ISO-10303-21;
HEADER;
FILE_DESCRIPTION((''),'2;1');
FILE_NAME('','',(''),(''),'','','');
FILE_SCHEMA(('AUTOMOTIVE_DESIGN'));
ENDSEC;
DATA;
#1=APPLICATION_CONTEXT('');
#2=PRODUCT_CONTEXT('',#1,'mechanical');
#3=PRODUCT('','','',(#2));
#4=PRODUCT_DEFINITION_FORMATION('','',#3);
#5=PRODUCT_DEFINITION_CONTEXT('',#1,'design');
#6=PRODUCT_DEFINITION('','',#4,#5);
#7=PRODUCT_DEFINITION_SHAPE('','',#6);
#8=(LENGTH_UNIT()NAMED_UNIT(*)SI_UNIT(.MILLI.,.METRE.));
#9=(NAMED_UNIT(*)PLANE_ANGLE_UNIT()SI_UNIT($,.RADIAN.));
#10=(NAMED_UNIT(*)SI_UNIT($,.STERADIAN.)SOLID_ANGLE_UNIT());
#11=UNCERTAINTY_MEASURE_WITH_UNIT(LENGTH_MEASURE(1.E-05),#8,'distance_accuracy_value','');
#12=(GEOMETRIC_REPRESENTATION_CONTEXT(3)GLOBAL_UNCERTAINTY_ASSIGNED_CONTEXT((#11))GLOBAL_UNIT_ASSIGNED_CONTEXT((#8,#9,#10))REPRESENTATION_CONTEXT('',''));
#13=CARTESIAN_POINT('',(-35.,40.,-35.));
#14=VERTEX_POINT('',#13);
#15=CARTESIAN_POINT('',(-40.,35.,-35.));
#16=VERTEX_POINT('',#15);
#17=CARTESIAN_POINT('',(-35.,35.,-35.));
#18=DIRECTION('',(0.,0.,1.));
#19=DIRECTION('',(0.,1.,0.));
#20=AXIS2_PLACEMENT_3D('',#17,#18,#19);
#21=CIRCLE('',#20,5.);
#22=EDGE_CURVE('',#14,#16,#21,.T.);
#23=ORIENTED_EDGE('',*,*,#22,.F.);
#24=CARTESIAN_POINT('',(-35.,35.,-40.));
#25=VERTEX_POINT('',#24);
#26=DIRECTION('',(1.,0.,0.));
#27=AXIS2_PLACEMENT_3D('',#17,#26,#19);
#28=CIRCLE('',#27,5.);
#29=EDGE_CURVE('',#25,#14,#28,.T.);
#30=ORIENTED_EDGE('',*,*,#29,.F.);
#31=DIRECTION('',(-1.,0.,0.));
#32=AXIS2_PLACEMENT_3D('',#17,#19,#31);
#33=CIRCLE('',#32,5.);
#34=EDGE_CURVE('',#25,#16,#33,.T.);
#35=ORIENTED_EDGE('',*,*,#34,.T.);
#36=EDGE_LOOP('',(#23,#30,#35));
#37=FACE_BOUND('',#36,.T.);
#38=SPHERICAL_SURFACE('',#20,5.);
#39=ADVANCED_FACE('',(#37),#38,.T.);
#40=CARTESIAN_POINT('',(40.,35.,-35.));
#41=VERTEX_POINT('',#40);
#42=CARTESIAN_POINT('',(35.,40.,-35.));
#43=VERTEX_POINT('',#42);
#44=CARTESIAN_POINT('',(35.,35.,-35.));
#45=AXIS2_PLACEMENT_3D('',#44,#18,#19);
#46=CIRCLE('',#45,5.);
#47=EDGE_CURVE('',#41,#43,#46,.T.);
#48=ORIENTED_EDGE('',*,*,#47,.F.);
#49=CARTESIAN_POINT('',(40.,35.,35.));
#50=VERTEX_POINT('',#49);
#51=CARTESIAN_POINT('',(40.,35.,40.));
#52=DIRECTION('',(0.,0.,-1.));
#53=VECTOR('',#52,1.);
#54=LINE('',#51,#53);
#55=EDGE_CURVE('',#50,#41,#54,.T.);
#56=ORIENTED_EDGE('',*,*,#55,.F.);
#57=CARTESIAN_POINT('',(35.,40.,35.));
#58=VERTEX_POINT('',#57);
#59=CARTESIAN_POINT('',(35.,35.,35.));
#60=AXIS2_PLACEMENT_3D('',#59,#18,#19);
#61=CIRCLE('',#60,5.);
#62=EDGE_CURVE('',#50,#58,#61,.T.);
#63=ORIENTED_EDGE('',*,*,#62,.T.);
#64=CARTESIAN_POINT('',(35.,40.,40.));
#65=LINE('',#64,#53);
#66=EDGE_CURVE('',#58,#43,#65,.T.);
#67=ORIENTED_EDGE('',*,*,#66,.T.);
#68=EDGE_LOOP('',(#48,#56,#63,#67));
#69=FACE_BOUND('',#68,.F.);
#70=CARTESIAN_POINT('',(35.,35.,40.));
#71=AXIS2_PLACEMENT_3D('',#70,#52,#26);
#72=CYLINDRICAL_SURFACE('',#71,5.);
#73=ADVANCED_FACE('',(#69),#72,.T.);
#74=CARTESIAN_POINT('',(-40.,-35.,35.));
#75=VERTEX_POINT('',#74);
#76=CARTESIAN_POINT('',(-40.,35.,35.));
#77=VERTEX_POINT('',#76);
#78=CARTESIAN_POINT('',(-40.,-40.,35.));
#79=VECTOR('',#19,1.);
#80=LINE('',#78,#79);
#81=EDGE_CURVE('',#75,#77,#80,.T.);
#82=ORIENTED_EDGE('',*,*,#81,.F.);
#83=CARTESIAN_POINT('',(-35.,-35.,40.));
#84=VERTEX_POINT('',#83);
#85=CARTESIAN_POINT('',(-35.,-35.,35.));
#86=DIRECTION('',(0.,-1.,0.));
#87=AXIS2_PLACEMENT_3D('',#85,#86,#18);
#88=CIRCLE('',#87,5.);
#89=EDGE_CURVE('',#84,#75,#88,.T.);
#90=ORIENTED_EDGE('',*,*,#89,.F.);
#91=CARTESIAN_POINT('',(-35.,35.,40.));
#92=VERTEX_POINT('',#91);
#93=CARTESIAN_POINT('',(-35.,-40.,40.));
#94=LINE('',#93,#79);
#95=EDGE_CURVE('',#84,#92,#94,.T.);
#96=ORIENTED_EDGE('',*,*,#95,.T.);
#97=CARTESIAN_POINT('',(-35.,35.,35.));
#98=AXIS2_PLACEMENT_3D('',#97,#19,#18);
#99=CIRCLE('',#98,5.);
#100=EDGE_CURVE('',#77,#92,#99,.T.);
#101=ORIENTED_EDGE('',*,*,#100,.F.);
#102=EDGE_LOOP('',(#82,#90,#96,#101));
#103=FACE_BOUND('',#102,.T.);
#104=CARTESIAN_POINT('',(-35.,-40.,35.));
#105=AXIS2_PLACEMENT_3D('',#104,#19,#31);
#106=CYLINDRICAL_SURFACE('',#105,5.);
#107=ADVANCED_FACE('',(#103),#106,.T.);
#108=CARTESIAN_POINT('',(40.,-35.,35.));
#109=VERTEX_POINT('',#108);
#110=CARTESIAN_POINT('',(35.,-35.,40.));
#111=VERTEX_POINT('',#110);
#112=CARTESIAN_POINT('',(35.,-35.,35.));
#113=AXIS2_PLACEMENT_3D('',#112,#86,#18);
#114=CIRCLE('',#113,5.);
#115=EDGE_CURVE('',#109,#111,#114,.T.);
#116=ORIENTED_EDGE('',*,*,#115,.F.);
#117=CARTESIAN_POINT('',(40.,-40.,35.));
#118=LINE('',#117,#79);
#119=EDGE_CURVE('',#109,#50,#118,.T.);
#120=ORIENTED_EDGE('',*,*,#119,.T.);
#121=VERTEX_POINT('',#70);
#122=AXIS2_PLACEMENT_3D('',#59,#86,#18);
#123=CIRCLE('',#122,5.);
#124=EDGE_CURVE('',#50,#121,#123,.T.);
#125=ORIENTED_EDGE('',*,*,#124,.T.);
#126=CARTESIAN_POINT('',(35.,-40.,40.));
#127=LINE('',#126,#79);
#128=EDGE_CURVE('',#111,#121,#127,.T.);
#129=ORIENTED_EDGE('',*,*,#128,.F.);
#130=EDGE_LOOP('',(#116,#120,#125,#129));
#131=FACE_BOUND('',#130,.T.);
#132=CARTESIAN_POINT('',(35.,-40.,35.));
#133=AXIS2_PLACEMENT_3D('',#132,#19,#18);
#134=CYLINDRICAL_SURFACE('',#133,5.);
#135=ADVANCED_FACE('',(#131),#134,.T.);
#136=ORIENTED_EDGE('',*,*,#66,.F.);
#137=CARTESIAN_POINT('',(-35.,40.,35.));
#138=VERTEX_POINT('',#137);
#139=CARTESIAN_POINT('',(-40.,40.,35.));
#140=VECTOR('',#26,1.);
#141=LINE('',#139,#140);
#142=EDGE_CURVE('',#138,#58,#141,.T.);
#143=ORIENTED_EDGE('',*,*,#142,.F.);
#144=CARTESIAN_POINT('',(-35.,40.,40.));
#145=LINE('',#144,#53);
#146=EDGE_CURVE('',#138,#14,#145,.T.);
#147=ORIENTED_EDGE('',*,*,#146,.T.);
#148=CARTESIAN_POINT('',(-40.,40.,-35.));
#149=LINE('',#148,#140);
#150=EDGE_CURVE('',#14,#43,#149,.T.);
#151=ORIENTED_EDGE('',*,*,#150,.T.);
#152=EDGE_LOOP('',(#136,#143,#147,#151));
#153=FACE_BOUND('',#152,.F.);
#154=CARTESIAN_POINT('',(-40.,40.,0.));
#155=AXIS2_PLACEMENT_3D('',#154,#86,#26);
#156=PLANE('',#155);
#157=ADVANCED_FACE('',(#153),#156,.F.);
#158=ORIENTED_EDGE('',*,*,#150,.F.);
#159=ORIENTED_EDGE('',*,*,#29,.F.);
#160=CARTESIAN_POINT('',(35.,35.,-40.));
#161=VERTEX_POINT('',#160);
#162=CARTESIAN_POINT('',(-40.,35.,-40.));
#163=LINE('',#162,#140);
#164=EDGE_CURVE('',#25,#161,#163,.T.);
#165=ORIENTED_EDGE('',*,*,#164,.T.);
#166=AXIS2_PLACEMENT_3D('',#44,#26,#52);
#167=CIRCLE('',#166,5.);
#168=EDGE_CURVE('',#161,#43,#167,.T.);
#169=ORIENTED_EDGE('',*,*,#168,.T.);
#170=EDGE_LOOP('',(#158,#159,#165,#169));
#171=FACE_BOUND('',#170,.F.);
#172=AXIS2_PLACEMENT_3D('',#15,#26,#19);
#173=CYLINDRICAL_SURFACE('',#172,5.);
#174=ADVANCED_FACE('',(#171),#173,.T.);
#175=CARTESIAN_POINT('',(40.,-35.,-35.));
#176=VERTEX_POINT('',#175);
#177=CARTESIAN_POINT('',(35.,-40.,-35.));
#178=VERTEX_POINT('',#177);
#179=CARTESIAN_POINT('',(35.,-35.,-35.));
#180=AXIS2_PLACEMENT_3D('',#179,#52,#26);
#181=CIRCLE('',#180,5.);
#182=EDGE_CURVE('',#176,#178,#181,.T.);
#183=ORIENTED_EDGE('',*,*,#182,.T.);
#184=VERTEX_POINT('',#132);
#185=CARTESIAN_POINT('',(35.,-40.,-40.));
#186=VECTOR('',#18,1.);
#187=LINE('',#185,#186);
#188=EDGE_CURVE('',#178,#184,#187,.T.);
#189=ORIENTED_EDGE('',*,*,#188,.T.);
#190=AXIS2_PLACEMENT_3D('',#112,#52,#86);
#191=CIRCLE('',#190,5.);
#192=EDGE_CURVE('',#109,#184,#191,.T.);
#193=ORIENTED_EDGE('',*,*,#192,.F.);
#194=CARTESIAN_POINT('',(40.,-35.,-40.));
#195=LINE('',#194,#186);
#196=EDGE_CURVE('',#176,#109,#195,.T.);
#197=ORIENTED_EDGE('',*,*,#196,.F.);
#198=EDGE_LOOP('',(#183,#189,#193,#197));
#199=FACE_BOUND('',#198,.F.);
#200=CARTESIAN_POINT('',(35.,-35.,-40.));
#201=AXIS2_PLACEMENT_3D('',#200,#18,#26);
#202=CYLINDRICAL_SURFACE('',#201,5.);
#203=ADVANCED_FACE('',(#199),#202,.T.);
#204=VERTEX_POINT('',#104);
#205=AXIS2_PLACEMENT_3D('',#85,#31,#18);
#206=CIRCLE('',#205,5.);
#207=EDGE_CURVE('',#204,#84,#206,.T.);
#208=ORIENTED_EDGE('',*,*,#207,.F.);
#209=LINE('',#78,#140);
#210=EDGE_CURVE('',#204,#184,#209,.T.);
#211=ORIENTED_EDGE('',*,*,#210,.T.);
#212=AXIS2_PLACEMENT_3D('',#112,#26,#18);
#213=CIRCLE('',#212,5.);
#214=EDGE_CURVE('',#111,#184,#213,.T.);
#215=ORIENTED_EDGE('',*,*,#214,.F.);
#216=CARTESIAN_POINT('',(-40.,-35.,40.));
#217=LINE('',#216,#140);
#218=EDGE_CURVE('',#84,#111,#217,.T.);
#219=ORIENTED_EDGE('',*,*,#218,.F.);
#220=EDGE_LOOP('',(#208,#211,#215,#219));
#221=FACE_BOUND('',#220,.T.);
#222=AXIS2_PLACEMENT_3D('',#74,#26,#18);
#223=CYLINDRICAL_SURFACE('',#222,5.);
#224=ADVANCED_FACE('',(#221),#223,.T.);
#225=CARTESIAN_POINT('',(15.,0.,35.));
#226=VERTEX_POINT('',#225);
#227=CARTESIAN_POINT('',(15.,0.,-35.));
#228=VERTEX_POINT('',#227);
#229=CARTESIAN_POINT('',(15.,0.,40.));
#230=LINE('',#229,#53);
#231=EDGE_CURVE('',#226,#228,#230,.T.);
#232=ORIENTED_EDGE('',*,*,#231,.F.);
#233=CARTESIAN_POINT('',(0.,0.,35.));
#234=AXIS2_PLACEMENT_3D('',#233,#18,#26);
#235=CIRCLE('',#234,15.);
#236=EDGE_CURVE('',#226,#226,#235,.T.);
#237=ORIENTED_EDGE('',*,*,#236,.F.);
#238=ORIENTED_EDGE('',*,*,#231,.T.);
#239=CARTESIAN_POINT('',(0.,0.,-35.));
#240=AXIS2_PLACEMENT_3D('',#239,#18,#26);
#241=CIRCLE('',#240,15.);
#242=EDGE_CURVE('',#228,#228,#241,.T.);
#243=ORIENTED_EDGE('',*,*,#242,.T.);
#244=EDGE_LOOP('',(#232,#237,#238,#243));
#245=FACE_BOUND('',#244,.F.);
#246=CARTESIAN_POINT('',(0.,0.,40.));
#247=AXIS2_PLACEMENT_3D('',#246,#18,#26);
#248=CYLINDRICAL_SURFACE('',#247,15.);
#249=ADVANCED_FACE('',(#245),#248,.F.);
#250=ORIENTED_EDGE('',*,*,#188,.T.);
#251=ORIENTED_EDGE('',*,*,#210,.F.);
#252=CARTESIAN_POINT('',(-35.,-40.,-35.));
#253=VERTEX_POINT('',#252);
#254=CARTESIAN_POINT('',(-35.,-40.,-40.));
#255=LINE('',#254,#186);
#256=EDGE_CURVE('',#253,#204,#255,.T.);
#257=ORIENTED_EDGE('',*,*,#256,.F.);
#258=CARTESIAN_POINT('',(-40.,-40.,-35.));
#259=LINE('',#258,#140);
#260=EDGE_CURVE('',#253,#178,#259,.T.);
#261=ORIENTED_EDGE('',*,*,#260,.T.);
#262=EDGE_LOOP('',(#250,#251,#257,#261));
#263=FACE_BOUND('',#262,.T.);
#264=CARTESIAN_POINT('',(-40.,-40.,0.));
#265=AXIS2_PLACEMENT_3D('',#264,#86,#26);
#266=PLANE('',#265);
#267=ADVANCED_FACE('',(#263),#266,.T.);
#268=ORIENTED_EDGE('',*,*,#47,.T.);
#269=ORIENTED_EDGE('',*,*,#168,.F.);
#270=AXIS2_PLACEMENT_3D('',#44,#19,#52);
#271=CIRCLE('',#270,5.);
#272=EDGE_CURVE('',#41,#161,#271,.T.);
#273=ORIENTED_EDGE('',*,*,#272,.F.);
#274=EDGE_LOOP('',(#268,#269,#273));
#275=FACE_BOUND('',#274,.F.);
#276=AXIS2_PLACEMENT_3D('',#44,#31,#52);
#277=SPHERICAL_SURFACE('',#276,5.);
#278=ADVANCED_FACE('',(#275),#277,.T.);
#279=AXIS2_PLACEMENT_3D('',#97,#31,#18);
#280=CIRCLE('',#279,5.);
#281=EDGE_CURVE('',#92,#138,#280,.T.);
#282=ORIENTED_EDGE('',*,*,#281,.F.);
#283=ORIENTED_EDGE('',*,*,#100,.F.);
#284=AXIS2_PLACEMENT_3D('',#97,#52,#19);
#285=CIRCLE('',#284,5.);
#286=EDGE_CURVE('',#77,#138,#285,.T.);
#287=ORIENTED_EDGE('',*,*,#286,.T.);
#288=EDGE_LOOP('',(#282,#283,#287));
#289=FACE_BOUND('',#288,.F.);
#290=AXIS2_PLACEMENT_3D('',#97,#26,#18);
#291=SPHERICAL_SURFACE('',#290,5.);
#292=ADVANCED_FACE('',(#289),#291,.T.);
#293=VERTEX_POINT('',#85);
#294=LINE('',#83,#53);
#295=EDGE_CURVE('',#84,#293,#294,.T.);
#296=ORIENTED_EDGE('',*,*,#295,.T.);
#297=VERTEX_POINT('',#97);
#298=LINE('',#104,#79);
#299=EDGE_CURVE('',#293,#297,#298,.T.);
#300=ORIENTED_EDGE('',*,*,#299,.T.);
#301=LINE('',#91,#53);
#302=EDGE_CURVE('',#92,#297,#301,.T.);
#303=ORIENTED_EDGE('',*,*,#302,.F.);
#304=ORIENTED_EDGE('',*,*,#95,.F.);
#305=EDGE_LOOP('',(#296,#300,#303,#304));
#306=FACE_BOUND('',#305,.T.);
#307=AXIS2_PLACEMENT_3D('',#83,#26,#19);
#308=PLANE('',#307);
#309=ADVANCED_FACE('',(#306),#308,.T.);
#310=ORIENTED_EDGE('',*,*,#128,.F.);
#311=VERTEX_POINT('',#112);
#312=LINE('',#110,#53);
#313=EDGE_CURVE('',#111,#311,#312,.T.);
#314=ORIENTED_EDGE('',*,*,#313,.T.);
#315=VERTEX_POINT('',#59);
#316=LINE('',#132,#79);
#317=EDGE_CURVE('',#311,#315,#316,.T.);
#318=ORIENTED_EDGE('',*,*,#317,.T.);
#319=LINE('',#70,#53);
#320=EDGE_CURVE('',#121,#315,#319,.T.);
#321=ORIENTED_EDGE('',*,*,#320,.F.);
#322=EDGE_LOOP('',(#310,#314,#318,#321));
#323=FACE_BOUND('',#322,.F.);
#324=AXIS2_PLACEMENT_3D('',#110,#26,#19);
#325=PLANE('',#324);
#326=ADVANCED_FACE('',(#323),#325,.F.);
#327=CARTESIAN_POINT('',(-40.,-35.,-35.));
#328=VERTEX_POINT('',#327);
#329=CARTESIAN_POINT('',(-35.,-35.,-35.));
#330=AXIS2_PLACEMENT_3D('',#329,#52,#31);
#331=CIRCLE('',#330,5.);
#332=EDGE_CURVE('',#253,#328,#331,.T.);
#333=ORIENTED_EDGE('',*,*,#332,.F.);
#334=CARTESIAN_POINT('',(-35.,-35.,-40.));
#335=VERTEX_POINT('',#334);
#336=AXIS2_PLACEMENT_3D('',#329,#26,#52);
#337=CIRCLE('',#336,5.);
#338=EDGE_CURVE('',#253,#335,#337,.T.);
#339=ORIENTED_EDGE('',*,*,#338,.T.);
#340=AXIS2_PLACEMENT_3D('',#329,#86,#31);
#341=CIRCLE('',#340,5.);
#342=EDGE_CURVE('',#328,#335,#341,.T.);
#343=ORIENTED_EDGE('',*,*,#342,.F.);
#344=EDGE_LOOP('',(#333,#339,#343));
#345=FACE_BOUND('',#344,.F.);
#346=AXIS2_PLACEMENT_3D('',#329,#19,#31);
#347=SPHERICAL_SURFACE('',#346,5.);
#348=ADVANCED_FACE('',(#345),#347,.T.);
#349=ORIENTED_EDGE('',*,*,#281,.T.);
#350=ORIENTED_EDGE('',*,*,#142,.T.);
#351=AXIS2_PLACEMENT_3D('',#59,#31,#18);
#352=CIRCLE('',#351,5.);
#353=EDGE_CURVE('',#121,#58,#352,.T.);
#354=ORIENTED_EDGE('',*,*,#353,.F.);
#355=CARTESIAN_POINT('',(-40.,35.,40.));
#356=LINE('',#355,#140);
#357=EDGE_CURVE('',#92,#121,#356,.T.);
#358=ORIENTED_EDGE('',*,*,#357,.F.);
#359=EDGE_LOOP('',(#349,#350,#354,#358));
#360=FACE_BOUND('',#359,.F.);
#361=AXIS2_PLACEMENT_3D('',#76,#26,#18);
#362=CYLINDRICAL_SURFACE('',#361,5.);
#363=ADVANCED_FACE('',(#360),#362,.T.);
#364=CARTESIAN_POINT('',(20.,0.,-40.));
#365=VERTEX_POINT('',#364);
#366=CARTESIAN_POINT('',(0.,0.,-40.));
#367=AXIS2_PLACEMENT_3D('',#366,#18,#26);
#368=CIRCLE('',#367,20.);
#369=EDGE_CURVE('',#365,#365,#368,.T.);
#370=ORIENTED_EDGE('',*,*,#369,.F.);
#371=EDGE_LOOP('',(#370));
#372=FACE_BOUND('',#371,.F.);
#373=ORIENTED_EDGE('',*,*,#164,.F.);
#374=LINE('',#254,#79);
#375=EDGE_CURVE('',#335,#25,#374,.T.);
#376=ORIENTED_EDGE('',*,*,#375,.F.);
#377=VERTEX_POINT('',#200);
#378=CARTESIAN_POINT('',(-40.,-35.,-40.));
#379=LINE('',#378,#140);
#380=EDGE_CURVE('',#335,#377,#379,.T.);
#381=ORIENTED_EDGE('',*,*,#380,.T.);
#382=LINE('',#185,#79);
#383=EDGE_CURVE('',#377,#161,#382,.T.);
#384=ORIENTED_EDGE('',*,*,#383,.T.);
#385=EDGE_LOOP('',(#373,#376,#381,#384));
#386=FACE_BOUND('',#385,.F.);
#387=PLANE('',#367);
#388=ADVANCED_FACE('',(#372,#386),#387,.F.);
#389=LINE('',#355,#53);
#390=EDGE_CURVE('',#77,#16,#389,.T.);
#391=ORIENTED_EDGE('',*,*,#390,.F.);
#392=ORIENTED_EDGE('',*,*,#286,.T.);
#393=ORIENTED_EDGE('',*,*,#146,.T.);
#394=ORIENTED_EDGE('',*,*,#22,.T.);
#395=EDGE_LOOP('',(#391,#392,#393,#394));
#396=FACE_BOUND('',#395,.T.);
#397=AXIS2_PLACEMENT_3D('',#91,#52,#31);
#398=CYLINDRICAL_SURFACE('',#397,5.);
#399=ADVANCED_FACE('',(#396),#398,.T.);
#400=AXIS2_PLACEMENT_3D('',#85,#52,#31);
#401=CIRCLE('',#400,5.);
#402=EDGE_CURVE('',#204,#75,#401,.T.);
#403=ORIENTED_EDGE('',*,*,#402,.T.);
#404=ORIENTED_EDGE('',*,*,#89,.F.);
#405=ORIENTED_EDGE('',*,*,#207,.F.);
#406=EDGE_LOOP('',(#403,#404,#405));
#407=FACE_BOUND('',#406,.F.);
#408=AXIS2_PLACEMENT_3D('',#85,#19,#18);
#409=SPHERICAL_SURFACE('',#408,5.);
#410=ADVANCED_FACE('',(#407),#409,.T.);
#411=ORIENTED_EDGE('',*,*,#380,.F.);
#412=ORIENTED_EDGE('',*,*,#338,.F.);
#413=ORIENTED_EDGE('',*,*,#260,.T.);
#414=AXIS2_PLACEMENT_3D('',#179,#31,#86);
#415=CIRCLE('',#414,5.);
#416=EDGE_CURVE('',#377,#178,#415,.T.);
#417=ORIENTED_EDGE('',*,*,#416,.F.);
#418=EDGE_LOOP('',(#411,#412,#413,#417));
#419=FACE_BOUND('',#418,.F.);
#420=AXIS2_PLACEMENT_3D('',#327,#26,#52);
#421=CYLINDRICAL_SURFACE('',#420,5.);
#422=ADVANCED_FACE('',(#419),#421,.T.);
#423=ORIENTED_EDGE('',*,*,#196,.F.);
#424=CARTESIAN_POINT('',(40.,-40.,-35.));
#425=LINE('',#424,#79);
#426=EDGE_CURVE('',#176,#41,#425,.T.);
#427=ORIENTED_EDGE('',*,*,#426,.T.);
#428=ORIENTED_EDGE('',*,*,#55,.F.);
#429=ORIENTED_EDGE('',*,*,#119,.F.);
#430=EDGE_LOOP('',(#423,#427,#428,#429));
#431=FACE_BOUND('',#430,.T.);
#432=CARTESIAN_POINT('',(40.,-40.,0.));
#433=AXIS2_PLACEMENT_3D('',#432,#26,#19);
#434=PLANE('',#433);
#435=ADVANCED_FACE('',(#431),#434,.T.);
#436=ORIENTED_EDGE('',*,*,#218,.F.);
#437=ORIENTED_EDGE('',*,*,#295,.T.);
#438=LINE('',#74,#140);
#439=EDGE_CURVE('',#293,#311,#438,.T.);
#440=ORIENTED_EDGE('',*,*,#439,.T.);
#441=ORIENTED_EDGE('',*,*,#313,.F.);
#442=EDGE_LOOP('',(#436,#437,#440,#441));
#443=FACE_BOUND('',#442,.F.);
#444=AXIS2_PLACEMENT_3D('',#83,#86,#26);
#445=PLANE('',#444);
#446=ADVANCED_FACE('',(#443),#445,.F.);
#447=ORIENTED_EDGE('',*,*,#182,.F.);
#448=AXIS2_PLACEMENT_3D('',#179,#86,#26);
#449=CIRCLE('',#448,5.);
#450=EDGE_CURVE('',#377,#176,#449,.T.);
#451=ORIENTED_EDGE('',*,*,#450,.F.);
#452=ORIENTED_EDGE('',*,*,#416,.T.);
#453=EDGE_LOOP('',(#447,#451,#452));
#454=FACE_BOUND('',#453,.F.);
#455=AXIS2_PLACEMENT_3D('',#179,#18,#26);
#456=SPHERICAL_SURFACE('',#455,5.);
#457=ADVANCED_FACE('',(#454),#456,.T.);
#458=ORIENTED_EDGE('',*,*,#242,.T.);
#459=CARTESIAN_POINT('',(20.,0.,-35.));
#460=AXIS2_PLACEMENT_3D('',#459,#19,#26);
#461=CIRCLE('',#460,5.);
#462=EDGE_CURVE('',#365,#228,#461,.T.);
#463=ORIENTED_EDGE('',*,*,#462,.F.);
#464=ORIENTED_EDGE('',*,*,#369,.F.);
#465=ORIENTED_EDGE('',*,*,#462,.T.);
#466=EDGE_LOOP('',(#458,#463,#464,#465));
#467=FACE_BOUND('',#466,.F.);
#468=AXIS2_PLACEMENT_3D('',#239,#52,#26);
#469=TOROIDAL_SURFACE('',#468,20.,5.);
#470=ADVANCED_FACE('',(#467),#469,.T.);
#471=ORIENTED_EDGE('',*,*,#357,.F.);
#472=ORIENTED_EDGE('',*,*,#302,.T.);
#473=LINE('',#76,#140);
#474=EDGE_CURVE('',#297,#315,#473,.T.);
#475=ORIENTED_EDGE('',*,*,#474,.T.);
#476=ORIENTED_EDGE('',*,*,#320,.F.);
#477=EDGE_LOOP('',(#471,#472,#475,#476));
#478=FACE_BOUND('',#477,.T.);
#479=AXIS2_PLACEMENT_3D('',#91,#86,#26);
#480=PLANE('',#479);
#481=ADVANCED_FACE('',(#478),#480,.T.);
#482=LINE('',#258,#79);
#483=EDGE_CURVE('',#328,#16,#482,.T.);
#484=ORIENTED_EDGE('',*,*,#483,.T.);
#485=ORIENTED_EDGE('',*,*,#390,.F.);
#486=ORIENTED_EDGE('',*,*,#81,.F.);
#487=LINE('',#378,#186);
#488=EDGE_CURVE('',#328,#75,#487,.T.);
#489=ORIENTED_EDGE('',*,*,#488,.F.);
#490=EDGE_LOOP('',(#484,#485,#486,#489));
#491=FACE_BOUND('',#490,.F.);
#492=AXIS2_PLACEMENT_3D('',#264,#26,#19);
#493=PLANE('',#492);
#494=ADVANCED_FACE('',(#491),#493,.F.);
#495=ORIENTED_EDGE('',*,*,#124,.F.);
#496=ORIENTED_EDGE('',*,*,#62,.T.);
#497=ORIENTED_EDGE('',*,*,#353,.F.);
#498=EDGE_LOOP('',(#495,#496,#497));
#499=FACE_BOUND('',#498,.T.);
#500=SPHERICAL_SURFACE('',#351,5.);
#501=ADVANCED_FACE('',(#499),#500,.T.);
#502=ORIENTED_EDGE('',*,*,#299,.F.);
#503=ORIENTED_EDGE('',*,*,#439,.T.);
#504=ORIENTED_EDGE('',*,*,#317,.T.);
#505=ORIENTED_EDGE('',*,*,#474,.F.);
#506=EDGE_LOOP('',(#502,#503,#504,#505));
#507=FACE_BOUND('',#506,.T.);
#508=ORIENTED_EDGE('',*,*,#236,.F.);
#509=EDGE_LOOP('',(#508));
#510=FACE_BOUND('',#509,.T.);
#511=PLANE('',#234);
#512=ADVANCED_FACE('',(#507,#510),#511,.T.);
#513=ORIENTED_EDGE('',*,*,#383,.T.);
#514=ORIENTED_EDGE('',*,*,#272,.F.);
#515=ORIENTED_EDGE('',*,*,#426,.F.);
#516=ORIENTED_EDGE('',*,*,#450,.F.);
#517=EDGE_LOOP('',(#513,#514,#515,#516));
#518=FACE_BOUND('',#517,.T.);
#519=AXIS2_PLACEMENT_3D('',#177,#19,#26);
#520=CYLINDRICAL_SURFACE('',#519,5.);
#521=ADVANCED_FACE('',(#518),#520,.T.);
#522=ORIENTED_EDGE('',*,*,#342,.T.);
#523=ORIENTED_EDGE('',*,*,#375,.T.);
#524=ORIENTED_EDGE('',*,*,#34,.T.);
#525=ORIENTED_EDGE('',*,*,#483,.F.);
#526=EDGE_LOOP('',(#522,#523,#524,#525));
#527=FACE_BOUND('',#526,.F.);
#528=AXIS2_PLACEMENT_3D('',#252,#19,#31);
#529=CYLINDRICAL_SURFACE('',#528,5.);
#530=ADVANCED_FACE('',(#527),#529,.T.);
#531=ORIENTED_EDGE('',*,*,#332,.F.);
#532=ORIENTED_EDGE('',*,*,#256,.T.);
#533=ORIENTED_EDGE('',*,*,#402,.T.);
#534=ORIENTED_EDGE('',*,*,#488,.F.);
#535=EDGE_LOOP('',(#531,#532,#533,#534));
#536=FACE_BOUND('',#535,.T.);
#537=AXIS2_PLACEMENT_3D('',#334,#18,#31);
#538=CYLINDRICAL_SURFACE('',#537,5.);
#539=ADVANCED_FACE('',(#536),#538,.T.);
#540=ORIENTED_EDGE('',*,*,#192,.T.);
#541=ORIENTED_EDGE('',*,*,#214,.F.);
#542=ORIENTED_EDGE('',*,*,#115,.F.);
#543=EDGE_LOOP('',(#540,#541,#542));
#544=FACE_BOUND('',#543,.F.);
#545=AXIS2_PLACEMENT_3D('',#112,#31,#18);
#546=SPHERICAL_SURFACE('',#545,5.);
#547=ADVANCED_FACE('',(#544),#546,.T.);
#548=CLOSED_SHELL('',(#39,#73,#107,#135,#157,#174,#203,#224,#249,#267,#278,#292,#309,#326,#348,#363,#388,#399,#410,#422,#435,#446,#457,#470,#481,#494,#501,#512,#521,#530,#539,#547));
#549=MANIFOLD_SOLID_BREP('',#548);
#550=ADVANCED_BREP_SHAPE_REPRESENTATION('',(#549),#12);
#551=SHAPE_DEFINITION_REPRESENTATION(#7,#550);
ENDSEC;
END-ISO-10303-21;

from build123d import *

# Parameters (mm, degrees)
F0_W     = 80
F0_H     = 80
F1_DEPTH = 40
F2_R     = 5
F3_R     = 15
F4_DEPTH = 80.001
F5_R     = 5
F6_DEPTH = 5


with BuildPart() as f1:
    # F0 (on Top) → F1 (new body, symmetric)
    with BuildSketch(Plane.XY):
        Rectangle(F0_W, F0_H)
    extrude(amount=F1_DEPTH, both=True)

    # F2
    f2_edges = [f1.edges().sort_by_distance(p)[0] for p in [
        (0, 40, 40),
        (-40, 0, 40),
        (0, -40, 40),
        (40, 0, 40),
        (-40, 40, 0),
        (0, 40, -40),
        (-40, 0, -40),
        (-40, -40, 0),
        (40, -40, 0),
        (40, 0, -40),
        (40, 40, 0),
        (0, -40, -40),
    ]]
    fillet(f2_edges, radius=F2_R)

    # F3 (on face) → F4 (cut, through all)
    with BuildSketch(Plane.XY.offset(40)):
        Circle(F3_R)
    extrude(amount=-F4_DEPTH, mode=Mode.SUBTRACT)

    # F5
    f5_edges = [f1.edges().sort_by_distance(p)[0] for p in [
        (-15, 0, -40),
    ]]
    fillet(f5_edges, radius=F5_R)

    # F6 (cut): a face of the model
    f6_faces = [f1.faces().sort_by_distance(p)[0] for p in [
        (0, 34.0100505063, 40),
    ]]
    extrude(f6_faces, amount=-F6_DEPTH, mode=Mode.SUBTRACT)


solid = f1.part
